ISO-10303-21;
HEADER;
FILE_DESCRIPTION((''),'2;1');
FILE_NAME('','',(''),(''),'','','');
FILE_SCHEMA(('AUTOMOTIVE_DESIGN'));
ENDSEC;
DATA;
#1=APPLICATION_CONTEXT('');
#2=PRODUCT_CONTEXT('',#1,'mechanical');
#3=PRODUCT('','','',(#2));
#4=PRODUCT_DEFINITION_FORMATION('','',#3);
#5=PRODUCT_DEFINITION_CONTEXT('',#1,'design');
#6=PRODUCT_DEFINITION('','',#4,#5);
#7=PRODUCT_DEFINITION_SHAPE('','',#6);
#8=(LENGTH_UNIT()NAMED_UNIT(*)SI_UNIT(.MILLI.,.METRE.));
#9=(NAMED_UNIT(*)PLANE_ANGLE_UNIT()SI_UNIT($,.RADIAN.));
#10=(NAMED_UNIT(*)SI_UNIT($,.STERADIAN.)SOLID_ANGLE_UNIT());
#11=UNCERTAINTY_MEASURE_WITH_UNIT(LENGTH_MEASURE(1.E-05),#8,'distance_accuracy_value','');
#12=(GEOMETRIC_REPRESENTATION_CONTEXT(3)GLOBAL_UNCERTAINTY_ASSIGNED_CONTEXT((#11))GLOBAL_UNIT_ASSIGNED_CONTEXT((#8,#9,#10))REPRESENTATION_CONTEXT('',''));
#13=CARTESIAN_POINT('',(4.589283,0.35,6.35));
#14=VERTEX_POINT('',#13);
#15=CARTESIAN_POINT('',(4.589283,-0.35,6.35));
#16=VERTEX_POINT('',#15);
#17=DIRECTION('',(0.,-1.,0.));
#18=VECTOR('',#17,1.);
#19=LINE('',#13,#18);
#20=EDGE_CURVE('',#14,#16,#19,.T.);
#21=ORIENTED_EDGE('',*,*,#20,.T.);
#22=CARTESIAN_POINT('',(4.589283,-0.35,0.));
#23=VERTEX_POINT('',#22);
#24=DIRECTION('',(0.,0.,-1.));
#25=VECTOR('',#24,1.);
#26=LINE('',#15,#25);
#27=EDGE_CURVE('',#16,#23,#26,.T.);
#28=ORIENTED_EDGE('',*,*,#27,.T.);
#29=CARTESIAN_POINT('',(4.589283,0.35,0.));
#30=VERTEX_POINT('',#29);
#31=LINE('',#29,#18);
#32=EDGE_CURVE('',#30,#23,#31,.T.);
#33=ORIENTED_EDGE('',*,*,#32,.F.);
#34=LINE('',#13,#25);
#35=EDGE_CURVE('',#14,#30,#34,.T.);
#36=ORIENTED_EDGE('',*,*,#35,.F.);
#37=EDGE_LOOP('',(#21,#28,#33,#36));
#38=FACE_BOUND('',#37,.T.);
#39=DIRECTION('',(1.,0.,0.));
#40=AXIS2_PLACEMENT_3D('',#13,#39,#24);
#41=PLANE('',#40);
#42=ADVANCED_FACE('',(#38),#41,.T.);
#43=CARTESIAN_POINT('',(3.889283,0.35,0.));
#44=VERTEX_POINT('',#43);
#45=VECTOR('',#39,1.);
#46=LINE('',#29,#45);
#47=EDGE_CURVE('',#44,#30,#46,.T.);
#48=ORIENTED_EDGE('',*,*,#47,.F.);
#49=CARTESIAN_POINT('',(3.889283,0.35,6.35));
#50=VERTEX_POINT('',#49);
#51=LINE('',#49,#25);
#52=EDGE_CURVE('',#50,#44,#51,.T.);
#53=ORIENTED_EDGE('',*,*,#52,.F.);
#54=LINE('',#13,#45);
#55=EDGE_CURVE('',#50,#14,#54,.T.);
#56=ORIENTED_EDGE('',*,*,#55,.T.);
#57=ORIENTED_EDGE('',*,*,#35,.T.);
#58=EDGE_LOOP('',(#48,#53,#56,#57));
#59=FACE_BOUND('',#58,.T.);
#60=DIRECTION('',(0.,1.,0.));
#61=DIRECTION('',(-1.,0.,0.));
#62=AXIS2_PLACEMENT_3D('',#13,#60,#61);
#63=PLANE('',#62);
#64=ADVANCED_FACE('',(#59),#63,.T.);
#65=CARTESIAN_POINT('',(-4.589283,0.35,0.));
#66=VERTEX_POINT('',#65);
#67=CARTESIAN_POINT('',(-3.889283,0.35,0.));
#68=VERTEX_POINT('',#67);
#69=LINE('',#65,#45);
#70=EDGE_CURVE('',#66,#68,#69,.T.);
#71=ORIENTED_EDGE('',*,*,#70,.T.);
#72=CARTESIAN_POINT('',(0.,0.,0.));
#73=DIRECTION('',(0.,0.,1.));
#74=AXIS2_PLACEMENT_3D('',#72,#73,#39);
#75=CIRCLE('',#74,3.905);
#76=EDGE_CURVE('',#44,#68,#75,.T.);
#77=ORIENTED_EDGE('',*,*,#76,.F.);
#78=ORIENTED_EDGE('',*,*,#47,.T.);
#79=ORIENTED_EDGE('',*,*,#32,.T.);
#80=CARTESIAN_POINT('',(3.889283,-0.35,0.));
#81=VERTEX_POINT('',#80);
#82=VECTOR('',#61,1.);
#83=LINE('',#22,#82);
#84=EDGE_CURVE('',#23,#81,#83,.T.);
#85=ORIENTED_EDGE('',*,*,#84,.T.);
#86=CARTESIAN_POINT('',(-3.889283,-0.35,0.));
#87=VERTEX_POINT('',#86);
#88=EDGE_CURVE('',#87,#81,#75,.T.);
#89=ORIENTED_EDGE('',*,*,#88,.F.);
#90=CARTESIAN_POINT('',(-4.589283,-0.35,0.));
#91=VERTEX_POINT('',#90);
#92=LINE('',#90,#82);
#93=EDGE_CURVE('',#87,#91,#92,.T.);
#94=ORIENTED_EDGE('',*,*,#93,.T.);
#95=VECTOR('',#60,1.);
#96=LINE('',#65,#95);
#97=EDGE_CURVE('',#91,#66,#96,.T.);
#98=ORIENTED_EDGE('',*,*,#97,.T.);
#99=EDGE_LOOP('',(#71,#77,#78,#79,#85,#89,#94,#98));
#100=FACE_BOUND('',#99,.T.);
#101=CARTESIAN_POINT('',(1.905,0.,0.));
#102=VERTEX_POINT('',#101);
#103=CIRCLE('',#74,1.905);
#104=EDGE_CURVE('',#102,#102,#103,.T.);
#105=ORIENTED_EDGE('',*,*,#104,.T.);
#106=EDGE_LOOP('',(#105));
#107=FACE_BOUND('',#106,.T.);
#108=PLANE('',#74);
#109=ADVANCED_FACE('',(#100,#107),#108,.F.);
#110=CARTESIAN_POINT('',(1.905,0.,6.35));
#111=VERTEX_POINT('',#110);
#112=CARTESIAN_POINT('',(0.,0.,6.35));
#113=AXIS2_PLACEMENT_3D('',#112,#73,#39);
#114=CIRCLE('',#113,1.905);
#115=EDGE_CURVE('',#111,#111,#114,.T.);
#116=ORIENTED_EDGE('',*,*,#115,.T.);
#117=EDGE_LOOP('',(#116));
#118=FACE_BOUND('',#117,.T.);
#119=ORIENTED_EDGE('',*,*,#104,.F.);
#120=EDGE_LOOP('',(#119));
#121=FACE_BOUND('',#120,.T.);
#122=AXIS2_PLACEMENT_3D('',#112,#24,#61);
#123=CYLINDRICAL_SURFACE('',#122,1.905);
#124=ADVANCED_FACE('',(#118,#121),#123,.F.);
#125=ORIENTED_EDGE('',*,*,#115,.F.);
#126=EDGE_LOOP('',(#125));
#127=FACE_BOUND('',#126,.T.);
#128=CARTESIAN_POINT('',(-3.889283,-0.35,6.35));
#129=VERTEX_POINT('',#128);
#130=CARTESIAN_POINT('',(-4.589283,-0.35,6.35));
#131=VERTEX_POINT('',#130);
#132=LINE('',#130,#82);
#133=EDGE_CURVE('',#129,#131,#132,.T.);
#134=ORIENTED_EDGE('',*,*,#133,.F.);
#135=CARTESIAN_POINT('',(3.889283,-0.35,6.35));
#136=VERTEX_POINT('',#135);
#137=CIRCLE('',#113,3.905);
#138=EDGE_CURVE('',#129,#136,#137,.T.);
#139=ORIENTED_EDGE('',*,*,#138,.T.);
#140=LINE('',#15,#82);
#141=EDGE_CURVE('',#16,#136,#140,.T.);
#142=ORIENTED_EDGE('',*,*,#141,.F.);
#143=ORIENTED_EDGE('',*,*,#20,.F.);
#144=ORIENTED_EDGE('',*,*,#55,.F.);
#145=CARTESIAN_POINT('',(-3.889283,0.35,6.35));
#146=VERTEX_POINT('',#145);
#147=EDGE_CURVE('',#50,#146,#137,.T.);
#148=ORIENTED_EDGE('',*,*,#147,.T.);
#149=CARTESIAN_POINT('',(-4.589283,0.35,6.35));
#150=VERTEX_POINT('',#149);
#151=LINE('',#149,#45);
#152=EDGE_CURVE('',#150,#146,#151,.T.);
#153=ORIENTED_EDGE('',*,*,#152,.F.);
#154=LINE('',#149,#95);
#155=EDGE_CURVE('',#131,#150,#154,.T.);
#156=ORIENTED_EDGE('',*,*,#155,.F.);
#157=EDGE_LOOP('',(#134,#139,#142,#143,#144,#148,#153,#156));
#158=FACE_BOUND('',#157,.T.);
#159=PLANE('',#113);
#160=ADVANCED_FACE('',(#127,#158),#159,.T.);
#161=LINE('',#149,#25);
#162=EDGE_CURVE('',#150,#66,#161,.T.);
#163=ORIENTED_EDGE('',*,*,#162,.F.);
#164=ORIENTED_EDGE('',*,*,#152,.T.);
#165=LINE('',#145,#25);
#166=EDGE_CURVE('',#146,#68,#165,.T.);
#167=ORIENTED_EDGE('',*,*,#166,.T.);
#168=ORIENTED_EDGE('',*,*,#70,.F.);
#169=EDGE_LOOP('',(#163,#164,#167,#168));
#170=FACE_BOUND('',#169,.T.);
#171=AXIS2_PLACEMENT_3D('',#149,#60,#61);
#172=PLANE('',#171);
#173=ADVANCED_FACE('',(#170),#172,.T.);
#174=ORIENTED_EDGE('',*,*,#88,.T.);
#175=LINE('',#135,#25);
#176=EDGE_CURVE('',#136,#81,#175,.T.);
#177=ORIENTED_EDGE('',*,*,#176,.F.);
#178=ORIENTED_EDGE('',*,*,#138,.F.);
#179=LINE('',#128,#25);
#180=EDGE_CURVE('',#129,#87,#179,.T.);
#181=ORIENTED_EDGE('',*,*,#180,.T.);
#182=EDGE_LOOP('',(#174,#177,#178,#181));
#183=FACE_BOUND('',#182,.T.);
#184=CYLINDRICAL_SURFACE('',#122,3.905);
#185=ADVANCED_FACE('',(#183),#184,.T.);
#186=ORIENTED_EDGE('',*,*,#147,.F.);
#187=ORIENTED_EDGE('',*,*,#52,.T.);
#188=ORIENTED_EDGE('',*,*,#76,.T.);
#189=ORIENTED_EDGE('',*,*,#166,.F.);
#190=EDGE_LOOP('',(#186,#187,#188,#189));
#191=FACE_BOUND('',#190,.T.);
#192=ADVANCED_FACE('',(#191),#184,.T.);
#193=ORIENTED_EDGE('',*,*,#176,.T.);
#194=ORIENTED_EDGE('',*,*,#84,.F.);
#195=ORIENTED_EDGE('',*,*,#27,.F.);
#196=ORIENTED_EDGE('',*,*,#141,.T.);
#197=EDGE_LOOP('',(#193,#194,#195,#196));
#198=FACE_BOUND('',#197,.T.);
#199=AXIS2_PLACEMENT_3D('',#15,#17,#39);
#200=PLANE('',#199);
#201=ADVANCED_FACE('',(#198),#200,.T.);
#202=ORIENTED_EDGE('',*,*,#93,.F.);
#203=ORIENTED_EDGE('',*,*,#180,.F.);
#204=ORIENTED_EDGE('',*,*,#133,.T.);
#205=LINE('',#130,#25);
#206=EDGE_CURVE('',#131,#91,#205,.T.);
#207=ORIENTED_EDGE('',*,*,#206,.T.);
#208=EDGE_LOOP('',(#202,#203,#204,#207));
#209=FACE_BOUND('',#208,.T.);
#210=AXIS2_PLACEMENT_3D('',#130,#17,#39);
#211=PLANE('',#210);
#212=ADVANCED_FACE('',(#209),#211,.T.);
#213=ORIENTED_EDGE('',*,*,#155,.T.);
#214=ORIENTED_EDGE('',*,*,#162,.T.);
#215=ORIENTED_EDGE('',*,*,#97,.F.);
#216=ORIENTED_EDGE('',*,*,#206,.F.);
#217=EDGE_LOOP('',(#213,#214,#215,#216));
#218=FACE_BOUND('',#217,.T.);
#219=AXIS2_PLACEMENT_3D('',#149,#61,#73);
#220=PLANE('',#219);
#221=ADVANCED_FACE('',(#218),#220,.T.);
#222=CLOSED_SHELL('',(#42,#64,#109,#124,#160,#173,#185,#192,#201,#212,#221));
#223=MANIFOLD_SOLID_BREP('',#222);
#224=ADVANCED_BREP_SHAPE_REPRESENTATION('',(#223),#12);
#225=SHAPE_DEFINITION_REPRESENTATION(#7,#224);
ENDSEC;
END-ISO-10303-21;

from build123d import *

# Parameters (mm, degrees)
SKETCH1_R           = 3.905
SKETCH1_R_2         = 1.905
BOSS_EXTRUDE1_DEPTH = 6.35
SKETCH2_W           = 0.7
SKETCH2_H           = 0.7
BOSS_EXTRUDE2_DEPTH = 6.35


with BuildPart() as part:
    # Sketch1 → Boss-Extrude1 (new body)
    with BuildSketch(Plane.XY):
        Circle(SKETCH1_R)
        Circle(SKETCH1_R_2, mode=Mode.SUBTRACT)
    extrude(amount=BOSS_EXTRUDE1_DEPTH)

    # Sketch2 → Boss-Extrude2 (add)
    with BuildSketch(Plane(origin=(0, 0, 0), x_dir=(-1, 0, 0), z_dir=(0, 0, -1))):
        with Locations((4.239283353, 0)):
            Rectangle(SKETCH2_W, SKETCH2_H)
        with Locations((-4.239283353, 0)):
            Rectangle(SKETCH2_W, SKETCH2_H)
    extrude(amount=-BOSS_EXTRUDE2_DEPTH)


solid = part.part
